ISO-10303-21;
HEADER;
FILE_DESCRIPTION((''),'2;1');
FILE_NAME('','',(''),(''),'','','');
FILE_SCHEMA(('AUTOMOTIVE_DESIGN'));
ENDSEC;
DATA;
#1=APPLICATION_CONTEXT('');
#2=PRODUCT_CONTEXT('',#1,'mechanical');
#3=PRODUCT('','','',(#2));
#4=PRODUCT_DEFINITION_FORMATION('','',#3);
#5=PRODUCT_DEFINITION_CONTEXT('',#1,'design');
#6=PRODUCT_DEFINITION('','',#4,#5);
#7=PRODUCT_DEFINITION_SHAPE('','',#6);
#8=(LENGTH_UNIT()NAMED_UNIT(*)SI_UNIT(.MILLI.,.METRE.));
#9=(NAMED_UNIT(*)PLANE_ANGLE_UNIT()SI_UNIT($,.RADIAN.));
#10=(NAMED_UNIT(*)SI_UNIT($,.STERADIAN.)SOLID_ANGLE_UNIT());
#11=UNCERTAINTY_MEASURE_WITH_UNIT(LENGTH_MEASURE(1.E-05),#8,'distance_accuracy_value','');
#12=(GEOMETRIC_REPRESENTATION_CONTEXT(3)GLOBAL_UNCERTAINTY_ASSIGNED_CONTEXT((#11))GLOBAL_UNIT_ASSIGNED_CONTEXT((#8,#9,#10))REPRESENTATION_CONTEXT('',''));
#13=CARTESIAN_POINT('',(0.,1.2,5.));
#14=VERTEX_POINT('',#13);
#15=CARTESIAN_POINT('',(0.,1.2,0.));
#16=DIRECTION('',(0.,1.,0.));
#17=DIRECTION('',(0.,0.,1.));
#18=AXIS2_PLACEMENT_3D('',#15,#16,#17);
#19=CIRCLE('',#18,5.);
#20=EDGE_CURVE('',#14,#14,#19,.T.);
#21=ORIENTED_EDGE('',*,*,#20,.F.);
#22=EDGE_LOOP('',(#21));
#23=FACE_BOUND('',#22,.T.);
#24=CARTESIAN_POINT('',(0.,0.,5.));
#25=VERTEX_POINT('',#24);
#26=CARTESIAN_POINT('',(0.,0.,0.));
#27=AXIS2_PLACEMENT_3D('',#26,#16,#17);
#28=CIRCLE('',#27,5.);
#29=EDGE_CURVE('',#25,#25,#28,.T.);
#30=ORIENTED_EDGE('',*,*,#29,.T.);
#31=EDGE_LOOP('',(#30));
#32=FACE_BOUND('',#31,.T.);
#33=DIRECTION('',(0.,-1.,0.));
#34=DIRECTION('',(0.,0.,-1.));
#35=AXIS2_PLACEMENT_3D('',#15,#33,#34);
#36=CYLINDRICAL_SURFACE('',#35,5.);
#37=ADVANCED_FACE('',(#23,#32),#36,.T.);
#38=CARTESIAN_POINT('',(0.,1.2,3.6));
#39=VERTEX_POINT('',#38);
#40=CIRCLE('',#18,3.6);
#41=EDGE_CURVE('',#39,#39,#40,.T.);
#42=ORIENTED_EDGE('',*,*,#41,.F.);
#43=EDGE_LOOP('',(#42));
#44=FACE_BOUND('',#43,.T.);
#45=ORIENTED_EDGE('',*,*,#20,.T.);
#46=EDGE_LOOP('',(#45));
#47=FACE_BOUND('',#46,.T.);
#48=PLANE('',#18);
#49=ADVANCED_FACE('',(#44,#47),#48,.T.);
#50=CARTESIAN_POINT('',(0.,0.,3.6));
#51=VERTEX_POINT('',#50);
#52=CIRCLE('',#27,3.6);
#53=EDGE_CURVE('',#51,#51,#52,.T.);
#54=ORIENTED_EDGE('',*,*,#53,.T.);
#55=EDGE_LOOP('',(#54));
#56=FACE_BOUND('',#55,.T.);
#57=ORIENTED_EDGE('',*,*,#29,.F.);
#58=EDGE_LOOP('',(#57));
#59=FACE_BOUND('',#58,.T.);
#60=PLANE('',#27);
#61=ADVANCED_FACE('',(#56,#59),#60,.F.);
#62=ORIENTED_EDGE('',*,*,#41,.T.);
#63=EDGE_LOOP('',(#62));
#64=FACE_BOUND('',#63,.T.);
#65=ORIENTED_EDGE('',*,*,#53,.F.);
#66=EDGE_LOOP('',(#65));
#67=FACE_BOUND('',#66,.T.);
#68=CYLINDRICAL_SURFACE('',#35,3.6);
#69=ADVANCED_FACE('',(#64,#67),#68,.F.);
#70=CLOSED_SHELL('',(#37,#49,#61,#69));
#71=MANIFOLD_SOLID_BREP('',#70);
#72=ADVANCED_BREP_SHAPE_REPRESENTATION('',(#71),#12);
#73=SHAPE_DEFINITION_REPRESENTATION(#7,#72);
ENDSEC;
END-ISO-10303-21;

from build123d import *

# Parameters (mm, degrees)
SKETCH_1_R      = 5
SKETCH_1_R_2    = 3.6
EXTRUDE_1_DEPTH = 1.2


with BuildPart() as part:
    # 草图1 → 凸台-拉伸1 (new body)
    with BuildSketch(Plane(origin=(0, 0, 0), x_dir=(1, 0, 0), z_dir=(0, 1, 0))):
        Circle(SKETCH_1_R)
        Circle(SKETCH_1_R_2, mode=Mode.SUBTRACT)
    extrude(amount=EXTRUDE_1_DEPTH)


solid = part.part
